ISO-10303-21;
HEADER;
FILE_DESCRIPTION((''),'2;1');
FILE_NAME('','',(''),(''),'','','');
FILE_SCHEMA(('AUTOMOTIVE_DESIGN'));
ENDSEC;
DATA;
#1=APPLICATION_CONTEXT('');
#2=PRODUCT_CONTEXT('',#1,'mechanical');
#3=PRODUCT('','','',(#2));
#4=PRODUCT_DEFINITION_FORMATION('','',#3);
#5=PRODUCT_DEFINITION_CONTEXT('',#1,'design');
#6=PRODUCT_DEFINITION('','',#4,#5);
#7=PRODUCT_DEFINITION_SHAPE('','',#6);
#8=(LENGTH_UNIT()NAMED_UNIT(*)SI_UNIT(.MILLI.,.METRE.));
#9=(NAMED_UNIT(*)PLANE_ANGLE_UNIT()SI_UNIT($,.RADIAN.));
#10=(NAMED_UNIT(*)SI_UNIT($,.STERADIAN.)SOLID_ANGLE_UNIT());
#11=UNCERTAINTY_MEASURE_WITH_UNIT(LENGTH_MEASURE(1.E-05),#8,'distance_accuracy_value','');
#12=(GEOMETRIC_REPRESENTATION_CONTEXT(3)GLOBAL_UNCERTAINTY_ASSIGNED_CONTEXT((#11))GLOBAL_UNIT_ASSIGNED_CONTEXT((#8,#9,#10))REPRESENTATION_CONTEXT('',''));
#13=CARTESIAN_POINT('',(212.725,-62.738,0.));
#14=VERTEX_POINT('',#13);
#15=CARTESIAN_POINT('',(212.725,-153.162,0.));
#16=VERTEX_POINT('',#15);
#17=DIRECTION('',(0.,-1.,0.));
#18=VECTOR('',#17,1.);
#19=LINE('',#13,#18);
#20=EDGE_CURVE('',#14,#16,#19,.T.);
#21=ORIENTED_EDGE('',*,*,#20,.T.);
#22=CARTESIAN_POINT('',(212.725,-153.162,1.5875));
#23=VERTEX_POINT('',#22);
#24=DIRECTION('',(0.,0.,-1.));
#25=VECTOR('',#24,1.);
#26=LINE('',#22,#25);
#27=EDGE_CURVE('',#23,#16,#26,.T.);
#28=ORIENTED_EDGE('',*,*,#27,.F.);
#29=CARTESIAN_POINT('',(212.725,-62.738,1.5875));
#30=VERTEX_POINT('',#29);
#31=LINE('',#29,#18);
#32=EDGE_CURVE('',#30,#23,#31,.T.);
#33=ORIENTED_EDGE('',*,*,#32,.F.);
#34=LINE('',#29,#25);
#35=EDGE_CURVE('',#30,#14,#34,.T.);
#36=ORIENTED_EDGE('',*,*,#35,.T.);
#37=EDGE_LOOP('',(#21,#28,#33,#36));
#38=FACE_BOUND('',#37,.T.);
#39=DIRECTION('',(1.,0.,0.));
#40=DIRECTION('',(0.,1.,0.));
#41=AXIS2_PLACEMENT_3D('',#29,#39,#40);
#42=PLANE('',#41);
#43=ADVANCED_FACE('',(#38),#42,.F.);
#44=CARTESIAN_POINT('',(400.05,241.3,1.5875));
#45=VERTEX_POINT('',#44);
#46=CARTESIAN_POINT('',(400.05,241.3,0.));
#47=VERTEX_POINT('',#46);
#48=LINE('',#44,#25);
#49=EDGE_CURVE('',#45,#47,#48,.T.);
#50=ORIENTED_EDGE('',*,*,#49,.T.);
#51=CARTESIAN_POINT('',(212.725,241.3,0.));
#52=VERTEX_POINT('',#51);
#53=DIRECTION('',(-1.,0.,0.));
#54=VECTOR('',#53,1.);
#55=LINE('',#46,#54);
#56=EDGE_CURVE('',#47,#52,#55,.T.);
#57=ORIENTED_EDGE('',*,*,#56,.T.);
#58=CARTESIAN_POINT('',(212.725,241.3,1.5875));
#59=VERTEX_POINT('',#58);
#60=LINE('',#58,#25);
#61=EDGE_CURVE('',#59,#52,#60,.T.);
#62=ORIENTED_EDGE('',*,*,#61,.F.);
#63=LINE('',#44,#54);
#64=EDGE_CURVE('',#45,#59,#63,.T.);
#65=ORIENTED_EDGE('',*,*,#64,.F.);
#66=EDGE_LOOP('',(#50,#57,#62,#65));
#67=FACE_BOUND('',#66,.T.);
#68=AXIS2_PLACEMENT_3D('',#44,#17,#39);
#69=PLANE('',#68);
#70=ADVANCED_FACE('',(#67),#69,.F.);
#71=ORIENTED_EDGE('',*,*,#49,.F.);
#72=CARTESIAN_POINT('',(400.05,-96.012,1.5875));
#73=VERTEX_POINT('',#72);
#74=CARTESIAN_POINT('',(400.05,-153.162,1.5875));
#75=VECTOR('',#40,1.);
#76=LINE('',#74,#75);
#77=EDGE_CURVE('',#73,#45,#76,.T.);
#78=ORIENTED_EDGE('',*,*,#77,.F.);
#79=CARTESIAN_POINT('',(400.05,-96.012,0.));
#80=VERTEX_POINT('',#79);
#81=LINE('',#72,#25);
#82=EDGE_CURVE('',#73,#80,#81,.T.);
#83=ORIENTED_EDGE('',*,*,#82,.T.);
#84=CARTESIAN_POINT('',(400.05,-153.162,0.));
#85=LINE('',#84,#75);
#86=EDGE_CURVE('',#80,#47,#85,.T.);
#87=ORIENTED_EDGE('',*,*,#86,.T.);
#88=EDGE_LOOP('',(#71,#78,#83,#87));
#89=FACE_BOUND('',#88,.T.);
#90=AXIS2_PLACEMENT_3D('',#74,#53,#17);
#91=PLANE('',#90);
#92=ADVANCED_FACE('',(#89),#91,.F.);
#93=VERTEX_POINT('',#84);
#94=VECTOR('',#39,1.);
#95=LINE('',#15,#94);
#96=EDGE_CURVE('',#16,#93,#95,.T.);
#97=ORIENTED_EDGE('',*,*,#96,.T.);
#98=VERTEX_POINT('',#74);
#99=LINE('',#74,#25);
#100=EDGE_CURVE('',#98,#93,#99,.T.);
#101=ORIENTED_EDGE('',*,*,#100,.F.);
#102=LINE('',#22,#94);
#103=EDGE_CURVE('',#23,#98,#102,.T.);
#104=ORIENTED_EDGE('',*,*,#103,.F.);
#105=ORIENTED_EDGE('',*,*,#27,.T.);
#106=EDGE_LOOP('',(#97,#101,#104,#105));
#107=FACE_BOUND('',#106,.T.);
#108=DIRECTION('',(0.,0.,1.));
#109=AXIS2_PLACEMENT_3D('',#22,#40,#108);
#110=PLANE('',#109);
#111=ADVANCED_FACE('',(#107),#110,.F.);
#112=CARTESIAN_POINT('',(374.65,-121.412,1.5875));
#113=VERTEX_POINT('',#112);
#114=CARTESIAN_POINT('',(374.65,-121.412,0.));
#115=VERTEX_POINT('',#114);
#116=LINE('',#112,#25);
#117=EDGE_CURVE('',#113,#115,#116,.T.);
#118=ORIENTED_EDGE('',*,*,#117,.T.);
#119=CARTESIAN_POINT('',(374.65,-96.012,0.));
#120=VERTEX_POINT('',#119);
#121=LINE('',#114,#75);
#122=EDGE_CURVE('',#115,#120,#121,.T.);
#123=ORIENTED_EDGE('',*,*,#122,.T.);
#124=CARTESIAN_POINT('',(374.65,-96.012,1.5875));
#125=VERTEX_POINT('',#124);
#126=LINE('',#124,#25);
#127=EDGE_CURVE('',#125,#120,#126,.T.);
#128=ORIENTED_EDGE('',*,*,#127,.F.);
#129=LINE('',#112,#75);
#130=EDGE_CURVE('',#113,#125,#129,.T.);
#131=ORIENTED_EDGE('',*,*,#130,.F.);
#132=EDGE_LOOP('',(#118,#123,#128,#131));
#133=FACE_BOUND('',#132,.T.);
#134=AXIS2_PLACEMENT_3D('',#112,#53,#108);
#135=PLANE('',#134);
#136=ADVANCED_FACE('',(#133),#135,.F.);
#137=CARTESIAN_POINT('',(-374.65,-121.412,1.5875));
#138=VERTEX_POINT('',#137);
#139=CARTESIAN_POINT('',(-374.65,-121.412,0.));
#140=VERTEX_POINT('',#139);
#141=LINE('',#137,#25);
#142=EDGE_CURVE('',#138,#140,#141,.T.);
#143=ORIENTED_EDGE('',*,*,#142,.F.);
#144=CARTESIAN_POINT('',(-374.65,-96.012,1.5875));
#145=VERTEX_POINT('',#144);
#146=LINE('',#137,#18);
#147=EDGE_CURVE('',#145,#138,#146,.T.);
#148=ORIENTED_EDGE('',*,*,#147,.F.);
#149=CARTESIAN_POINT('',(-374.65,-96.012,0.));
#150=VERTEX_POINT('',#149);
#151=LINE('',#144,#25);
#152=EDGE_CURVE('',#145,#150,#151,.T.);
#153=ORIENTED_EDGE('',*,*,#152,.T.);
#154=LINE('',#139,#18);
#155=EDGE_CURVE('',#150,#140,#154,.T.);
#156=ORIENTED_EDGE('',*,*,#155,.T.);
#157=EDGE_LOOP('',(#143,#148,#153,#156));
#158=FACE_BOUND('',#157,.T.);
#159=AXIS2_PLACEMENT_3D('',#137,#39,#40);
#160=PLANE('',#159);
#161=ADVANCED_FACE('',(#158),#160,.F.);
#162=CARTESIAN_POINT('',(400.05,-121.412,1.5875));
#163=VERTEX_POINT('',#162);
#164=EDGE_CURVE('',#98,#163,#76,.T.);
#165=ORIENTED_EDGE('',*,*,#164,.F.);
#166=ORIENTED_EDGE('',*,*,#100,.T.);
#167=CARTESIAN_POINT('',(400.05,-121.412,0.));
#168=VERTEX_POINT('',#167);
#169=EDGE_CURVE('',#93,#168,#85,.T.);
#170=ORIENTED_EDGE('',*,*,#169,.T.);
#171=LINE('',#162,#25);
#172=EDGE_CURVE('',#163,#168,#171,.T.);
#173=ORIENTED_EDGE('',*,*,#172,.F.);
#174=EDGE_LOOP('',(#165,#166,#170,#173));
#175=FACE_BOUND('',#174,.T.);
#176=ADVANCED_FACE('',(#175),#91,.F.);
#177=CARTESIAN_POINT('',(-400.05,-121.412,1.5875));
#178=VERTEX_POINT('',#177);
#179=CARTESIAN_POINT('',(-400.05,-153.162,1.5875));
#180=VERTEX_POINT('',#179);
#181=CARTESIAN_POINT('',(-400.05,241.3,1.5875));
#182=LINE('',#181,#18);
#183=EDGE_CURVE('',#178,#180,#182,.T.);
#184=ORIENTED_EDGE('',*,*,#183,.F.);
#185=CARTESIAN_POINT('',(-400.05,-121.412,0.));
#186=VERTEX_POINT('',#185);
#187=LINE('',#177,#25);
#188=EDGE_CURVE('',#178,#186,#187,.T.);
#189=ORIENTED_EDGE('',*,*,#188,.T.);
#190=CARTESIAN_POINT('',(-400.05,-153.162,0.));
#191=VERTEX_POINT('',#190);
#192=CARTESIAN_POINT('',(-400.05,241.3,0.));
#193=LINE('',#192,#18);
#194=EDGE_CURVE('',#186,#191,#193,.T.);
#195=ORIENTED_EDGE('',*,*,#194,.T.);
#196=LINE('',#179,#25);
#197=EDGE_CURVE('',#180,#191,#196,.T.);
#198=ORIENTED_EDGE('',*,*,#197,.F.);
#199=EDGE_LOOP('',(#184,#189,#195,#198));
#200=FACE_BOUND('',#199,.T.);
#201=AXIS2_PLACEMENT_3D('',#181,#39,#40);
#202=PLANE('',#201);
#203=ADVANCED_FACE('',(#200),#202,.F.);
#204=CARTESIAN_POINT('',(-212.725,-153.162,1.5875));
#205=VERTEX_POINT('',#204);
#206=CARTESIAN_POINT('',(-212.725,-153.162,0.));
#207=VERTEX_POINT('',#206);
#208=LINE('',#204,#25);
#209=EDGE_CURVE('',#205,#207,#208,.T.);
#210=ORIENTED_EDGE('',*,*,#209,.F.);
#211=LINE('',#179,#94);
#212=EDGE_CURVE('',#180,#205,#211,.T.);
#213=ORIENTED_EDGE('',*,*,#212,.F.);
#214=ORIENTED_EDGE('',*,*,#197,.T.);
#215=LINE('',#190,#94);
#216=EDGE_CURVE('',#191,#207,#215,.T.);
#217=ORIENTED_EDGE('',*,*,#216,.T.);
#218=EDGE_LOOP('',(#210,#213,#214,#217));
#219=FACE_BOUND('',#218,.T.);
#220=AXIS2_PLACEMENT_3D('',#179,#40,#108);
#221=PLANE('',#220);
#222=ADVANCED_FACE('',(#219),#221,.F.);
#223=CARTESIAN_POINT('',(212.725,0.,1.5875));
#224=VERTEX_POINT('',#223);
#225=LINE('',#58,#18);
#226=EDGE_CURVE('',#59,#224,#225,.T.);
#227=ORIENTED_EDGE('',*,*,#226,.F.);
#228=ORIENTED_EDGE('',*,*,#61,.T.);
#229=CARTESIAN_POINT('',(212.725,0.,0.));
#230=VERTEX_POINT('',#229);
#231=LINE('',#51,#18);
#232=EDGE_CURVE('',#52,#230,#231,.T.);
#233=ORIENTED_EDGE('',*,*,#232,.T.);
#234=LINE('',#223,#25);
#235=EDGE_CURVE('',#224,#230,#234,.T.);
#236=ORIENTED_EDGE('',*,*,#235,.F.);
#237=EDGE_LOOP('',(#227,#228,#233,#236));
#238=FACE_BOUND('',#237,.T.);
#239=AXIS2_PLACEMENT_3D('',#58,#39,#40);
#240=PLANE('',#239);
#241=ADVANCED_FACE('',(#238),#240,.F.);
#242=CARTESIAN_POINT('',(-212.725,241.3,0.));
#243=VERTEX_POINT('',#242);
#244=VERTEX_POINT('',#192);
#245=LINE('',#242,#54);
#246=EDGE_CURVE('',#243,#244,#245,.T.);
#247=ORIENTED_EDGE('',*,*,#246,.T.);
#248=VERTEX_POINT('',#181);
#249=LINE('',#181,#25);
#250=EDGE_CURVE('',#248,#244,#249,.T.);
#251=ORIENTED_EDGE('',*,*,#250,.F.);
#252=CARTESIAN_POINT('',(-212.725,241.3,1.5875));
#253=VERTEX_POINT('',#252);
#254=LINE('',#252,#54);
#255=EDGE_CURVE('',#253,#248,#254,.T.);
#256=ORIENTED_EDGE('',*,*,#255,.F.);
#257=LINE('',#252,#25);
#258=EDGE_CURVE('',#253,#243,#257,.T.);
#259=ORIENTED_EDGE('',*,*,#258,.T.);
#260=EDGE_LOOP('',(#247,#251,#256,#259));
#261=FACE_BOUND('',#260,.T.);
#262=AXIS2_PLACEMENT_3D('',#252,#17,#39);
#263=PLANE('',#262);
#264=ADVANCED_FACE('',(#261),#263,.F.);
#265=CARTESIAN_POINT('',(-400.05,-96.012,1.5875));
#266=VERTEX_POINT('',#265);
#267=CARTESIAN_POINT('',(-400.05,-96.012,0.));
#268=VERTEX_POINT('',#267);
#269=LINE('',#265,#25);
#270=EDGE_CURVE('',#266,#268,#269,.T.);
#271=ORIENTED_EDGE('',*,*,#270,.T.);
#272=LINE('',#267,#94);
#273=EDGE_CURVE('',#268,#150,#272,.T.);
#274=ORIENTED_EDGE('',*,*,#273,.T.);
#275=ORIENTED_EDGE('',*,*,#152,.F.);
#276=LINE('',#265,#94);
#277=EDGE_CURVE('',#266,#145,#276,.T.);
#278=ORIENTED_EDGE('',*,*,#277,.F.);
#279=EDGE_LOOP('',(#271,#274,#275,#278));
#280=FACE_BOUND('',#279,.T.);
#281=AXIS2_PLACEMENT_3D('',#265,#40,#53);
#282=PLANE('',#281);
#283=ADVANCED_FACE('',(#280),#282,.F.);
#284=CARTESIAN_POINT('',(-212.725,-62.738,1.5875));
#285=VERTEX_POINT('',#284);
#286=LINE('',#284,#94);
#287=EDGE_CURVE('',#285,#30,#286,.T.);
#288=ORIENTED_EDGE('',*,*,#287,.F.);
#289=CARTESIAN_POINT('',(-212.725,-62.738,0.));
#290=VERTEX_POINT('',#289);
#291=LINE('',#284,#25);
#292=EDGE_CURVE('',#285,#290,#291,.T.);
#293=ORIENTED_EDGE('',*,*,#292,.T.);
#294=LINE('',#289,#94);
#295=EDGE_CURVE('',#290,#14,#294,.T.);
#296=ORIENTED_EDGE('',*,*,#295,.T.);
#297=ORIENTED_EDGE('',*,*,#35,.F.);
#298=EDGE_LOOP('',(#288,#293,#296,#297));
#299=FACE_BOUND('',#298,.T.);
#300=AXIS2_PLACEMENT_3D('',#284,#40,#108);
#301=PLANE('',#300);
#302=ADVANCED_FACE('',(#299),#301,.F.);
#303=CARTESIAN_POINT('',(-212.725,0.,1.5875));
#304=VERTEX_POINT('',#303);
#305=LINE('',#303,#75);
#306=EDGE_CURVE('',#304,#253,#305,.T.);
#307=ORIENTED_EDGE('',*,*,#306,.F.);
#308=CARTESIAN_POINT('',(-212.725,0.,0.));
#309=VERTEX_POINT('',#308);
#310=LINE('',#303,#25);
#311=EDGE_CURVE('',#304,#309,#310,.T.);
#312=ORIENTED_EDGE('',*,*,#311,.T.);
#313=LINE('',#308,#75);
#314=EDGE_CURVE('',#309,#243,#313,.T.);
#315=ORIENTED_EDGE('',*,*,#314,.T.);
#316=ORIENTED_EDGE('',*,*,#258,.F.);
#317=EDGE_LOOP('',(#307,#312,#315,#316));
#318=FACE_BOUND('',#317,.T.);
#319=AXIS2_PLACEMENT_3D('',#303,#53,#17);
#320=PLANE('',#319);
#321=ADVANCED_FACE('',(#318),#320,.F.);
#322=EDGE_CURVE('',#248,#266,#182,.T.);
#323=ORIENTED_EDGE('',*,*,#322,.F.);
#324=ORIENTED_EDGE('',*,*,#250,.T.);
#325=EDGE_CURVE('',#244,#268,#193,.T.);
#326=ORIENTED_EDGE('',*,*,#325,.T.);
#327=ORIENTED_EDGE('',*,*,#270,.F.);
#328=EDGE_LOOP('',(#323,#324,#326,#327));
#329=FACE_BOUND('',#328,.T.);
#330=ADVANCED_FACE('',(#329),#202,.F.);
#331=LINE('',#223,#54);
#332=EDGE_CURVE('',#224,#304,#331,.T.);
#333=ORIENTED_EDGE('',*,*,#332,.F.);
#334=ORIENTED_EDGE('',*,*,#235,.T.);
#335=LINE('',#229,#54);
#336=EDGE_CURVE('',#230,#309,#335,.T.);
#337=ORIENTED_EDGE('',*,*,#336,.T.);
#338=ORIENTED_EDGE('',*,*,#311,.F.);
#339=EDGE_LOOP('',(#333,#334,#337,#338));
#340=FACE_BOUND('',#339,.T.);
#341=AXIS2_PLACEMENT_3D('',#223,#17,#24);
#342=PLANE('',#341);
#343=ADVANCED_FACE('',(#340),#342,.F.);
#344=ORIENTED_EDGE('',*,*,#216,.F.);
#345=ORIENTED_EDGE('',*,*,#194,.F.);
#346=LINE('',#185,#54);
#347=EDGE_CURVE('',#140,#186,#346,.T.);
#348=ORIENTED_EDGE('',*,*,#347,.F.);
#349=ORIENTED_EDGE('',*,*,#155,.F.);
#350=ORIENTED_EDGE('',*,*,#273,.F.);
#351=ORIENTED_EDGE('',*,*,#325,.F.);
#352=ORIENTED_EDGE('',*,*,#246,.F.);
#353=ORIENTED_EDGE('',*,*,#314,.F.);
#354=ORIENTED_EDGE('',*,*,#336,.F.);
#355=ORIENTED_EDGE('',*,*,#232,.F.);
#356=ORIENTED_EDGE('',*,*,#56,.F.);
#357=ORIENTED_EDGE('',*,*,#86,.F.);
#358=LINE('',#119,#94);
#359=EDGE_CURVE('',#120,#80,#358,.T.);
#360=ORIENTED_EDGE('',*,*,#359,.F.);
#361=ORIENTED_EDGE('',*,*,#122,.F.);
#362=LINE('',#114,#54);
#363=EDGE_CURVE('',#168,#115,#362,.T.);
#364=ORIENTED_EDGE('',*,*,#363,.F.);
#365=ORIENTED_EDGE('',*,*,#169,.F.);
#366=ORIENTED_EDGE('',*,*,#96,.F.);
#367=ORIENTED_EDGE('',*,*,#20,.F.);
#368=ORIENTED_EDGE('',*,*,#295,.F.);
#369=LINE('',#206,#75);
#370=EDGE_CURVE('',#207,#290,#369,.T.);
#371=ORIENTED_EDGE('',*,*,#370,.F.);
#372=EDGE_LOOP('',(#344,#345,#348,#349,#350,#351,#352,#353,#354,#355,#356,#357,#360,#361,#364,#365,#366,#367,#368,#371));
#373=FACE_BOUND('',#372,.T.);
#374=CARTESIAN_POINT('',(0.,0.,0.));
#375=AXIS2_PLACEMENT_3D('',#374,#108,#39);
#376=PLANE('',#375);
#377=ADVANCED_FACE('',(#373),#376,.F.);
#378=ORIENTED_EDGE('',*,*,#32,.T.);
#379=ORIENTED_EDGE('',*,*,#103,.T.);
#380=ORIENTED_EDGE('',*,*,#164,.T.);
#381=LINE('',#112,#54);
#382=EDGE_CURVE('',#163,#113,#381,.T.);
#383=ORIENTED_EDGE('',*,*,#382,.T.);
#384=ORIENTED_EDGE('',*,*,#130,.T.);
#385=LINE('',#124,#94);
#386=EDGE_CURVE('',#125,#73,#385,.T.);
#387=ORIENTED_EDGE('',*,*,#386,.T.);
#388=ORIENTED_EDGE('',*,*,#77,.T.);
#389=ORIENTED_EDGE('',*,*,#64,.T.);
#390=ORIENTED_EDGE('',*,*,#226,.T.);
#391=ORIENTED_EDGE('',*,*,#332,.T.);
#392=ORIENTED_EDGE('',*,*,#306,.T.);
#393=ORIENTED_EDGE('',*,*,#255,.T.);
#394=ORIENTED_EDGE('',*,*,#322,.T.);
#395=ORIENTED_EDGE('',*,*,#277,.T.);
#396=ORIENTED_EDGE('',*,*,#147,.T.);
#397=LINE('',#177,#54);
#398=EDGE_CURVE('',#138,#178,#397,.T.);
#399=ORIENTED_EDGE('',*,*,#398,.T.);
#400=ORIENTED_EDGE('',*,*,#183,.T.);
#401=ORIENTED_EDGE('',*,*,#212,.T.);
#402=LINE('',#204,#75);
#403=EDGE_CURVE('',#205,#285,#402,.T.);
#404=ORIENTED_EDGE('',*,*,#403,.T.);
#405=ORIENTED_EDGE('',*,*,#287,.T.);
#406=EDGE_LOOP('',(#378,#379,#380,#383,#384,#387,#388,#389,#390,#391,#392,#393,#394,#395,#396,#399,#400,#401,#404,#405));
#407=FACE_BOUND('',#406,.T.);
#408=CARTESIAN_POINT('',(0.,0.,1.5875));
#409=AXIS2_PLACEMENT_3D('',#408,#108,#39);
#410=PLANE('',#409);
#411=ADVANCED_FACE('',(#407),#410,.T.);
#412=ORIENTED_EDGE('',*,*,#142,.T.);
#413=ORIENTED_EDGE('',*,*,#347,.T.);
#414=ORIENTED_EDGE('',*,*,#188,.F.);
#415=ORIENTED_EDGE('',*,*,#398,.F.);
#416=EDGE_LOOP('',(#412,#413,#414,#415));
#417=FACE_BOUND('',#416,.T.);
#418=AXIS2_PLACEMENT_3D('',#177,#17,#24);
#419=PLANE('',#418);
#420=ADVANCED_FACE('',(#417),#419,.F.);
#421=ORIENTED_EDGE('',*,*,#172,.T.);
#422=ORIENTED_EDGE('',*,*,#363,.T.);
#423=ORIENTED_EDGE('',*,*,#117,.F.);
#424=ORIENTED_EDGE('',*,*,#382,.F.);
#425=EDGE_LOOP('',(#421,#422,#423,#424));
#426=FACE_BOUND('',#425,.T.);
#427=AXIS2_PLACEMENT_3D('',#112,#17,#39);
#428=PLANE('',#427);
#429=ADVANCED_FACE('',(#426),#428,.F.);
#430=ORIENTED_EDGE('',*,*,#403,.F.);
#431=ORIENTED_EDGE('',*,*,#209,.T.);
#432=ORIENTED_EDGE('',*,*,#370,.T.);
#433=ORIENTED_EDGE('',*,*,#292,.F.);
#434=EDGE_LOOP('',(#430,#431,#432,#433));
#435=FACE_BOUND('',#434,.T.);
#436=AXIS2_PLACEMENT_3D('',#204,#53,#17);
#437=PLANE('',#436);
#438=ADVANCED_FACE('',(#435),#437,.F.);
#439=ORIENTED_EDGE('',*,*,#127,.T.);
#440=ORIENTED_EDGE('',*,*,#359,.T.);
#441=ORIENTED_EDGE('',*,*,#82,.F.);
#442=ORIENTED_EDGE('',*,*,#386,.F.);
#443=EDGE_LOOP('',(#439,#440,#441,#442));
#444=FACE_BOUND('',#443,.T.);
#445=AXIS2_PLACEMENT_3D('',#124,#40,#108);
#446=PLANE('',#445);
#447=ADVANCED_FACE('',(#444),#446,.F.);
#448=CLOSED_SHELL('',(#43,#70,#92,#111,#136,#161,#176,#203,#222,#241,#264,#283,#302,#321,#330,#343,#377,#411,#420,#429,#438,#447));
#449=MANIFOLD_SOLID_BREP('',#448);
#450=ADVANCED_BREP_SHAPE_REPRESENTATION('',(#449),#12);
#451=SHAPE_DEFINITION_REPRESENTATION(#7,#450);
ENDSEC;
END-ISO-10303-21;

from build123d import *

# Parameters (mm, degrees)
BOSS_EXTRUDE1_DEPTH = 1.5875
SKETCH2_W           = 25.4
SKETCH2_H           = 25.4
CUT_EXTRUDE1_DEPTH  = 2.5875
SKETCH3_W           = 25.4
SKETCH3_H           = 25.4
CUT_EXTRUDE2_DEPTH  = 2.5875


with BuildPart() as part:
    # Sketch1 → Boss-Extrude1 (new body)
    with BuildSketch(Plane.XY):
        Polygon((-400.05, 241.3), (-400.05, -153.162), (-212.725, -153.162), (-212.725, -62.738), (212.725, -62.738), (212.725, -153.162), (400.05, -153.162), (400.05, 241.3), (212.725, 241.3), (212.725, 0), (-212.725, 0), (-212.725, 241.3), align=None)
    extrude(amount=BOSS_EXTRUDE1_DEPTH)

    # Sketch2 → Cut-Extrude1 (cut, through all)
    with BuildSketch(Plane(origin=(0, 0, 0), x_dir=(-1, 0, 0), z_dir=(0, 0, -1))):
        with Locations((-387.35, -108.712)):
            Rectangle(SKETCH2_W, SKETCH2_H)
    extrude(amount=-CUT_EXTRUDE1_DEPTH, mode=Mode.SUBTRACT)

    # Sketch3 → Cut-Extrude2 (cut, through all)
    with BuildSketch(Plane(origin=(0, 0, 0), x_dir=(-1, 0, 0), z_dir=(0, 0, -1))):
        with Locations((387.35, -108.712)):
            Rectangle(SKETCH3_W, SKETCH3_H)
    extrude(amount=-CUT_EXTRUDE2_DEPTH, mode=Mode.SUBTRACT)


solid = part.part
